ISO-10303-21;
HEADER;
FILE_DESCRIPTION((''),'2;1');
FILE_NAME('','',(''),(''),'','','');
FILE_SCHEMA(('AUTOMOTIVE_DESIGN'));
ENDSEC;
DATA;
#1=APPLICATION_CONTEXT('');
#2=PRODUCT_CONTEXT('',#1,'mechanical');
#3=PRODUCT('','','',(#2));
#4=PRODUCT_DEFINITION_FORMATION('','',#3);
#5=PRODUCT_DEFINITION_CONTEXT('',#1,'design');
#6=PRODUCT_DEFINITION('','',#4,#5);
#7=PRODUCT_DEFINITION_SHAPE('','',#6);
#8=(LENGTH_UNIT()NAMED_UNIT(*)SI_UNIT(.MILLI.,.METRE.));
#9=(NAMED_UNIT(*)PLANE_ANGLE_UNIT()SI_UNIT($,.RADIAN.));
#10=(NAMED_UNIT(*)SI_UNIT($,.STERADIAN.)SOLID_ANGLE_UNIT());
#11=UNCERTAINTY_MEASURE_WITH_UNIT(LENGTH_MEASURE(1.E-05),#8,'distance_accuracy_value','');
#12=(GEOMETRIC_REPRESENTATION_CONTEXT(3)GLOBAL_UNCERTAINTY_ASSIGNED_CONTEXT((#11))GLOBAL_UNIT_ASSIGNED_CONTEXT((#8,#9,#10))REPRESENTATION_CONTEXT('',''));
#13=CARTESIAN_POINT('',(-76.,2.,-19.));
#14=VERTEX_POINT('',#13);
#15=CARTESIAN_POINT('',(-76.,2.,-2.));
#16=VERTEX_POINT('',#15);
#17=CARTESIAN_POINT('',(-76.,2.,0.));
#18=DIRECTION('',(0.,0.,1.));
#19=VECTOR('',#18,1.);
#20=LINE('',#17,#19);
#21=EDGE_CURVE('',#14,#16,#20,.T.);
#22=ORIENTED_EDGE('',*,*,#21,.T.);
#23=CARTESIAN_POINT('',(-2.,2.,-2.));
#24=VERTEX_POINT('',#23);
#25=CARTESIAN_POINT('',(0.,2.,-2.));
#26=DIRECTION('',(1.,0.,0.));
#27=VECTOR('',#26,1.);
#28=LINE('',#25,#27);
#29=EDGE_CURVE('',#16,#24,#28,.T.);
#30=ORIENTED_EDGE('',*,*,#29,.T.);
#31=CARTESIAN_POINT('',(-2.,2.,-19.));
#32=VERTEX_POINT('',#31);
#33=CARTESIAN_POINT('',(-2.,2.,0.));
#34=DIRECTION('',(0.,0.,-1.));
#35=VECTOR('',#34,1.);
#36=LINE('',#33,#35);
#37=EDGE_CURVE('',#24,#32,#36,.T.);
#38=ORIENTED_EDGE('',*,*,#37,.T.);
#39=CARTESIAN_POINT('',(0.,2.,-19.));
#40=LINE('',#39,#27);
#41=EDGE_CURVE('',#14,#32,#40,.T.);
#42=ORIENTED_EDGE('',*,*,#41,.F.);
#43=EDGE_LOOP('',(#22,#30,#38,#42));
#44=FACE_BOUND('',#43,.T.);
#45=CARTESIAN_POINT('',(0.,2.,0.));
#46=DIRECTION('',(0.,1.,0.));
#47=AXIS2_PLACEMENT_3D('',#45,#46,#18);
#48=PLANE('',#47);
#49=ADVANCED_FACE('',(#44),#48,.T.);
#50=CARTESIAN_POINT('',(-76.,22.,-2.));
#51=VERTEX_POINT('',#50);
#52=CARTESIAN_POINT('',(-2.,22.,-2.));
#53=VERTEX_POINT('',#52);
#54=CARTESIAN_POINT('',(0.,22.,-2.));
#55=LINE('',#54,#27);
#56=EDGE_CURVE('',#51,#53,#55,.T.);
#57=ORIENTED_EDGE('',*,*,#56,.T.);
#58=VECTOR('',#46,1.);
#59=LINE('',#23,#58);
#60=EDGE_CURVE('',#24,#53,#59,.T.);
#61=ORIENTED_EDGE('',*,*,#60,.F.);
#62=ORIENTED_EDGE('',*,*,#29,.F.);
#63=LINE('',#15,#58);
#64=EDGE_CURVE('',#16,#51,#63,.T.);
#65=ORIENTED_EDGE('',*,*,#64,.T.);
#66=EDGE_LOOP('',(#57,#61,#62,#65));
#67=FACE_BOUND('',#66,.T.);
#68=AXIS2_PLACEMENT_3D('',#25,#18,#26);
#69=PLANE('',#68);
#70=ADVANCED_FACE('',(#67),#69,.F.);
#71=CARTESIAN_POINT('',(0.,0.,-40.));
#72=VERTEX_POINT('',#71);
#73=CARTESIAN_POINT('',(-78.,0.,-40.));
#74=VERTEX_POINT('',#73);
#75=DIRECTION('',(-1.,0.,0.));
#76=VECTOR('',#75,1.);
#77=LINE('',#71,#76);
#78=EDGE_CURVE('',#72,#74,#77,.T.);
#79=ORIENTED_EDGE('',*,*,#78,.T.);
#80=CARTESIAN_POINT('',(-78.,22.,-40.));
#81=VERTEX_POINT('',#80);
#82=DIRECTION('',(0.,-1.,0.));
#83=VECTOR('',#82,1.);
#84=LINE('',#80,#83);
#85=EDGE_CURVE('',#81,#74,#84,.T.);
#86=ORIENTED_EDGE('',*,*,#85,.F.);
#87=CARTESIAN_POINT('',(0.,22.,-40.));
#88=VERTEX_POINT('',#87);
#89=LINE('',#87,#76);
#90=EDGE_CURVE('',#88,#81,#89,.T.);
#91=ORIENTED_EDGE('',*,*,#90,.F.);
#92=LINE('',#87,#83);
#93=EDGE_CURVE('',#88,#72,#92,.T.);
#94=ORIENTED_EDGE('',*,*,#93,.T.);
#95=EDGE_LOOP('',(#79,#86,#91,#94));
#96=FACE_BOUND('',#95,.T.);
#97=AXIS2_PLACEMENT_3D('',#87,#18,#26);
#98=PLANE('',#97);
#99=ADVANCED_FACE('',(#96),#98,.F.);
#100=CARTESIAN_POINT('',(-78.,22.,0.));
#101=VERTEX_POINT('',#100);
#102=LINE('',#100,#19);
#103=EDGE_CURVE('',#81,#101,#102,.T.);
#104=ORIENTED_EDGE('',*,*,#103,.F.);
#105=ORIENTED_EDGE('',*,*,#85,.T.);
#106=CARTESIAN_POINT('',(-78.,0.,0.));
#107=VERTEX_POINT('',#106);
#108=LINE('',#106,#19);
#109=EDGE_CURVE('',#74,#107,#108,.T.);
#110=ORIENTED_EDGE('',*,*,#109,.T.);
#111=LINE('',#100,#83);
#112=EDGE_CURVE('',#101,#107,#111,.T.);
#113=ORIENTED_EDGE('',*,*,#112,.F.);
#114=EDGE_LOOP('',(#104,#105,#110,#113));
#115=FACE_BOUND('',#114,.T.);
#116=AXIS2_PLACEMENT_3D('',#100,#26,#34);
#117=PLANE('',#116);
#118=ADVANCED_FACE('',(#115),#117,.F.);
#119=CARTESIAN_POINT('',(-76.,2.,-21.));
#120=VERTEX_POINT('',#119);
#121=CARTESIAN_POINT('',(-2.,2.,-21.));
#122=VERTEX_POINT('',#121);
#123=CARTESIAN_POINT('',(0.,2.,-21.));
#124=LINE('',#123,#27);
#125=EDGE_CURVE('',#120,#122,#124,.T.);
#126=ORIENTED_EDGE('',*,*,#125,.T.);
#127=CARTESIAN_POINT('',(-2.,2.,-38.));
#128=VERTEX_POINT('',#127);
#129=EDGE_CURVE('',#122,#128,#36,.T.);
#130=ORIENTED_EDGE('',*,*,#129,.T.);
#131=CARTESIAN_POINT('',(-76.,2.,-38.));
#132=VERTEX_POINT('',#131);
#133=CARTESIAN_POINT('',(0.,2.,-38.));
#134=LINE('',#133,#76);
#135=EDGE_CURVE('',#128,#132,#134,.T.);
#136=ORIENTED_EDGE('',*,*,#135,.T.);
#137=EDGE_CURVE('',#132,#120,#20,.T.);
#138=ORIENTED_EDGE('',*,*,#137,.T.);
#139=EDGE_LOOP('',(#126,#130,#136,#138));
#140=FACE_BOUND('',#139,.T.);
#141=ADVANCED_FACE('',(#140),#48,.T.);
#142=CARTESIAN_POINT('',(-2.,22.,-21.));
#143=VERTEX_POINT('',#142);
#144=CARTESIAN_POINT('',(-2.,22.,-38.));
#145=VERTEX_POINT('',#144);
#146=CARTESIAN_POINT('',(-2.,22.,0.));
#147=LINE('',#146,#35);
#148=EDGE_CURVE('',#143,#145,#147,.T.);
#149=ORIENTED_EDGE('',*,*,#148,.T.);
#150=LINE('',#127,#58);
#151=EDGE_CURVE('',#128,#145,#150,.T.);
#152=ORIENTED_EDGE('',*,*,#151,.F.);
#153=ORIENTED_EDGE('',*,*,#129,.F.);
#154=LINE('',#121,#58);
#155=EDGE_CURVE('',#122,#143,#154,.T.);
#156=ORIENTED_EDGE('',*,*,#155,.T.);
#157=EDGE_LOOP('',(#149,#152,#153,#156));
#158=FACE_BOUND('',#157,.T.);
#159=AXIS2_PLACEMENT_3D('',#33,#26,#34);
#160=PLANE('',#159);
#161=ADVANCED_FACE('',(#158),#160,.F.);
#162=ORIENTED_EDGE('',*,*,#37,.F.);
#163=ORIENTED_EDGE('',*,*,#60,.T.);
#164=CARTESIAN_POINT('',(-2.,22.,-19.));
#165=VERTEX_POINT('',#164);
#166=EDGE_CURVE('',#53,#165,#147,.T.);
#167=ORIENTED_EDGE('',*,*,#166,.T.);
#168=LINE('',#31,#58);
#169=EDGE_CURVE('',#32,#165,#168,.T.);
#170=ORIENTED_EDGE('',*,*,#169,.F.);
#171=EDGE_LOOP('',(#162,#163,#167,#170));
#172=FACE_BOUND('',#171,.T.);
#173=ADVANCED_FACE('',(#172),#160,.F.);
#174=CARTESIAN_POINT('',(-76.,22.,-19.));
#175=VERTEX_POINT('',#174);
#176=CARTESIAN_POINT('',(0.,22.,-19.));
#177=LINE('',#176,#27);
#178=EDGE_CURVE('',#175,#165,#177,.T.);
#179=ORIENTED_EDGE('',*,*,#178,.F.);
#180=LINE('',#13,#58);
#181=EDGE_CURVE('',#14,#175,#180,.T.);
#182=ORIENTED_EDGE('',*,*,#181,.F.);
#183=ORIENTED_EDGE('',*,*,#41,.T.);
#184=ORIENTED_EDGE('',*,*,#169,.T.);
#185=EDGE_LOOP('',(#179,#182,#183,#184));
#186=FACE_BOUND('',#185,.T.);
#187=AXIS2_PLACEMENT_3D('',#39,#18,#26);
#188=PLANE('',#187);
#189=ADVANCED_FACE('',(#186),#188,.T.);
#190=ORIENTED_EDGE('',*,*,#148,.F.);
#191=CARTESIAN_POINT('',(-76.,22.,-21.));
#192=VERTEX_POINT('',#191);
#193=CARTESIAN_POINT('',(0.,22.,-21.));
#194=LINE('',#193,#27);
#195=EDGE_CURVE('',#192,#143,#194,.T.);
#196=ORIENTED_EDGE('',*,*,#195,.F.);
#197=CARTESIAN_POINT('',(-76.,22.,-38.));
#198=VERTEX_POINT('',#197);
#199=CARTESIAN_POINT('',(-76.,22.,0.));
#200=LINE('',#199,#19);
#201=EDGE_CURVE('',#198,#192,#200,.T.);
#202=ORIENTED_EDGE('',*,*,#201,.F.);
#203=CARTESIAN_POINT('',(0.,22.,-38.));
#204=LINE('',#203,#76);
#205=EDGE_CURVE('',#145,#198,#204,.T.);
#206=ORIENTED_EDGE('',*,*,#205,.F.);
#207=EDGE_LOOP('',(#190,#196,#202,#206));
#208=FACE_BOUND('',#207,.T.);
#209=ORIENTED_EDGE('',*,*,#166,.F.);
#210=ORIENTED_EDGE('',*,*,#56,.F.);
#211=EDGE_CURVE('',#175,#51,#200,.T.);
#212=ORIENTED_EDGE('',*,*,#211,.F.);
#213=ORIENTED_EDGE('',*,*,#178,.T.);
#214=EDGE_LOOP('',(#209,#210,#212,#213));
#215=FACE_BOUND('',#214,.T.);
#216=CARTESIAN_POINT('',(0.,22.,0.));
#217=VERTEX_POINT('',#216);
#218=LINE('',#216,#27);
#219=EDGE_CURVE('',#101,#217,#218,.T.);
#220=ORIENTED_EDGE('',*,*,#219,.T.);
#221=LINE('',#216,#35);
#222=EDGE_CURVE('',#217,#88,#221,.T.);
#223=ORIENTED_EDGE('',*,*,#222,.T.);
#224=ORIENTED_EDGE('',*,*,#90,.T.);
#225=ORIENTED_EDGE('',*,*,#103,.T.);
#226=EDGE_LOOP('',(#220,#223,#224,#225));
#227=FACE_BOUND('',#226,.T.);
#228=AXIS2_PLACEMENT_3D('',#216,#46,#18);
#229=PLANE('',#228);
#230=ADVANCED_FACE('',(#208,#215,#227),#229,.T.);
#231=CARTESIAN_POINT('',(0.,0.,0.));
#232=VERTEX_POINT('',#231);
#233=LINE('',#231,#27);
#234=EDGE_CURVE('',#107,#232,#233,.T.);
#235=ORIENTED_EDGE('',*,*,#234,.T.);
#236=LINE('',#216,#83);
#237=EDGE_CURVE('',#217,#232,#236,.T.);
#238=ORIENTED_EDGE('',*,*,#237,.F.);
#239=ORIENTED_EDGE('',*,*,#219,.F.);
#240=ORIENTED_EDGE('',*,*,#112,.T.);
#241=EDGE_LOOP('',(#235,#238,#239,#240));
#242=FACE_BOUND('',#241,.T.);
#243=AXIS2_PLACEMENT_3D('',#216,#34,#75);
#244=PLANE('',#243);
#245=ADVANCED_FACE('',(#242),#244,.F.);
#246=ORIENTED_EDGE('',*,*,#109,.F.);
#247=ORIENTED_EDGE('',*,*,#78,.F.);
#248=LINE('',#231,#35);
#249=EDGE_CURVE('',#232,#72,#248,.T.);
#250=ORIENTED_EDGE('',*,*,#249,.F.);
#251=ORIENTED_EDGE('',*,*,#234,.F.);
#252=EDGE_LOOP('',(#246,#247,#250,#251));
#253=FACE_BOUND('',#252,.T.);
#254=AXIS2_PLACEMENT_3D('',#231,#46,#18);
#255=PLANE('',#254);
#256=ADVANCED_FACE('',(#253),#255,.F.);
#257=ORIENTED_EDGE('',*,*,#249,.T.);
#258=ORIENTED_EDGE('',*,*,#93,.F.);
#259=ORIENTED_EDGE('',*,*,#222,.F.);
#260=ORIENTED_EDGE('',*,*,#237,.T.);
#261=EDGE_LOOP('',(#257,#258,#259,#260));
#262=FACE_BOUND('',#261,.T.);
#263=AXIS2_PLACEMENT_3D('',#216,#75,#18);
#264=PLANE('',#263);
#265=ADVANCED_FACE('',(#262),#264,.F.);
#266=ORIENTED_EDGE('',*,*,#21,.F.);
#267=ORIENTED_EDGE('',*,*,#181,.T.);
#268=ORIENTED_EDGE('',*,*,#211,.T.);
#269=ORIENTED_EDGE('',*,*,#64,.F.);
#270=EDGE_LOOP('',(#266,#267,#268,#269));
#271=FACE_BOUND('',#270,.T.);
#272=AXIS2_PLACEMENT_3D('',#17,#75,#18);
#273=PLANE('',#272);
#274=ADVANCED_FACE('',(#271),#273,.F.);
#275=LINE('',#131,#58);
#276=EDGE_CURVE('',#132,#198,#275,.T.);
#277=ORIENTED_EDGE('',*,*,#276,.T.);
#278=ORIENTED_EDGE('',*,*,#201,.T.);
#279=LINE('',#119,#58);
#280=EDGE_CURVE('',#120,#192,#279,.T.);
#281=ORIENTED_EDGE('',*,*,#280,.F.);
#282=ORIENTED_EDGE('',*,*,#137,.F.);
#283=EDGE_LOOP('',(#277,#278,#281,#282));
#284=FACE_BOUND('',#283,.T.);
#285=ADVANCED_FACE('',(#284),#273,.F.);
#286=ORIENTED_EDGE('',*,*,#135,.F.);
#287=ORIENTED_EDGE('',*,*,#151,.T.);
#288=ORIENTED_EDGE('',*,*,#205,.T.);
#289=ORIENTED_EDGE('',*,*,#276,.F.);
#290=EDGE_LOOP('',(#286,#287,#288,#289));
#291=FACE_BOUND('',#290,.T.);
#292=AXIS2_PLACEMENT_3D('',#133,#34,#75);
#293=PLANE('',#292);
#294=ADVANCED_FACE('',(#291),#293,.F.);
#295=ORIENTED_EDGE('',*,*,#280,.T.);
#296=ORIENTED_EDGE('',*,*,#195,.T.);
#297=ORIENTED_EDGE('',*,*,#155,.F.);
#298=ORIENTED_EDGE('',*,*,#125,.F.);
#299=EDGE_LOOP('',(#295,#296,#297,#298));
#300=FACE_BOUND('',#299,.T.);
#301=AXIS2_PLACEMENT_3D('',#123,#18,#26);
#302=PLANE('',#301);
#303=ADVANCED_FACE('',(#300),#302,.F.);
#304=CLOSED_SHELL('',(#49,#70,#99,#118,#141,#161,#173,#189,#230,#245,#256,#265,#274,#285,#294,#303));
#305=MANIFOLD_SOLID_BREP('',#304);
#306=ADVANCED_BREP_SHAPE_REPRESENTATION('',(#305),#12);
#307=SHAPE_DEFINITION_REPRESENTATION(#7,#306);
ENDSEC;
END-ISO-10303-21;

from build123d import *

# Parameters (mm, degrees)
SKETCH1_W           = 78
SKETCH1_H           = 40
BOSS_EXTRUDE1_DEPTH = 22
SKETCH2_W           = 74
SKETCH2_H           = 17
CUT_EXTRUDE1_DEPTH  = 20


with BuildPart() as part:
    # Sketch1 → Boss-Extrude1 (new body)
    with BuildSketch(Plane(origin=(0, 0, 0), x_dir=(1, 0, 0), z_dir=(0, 1, 0))):
        with Locations((-39, 20)):
            Rectangle(SKETCH1_W, SKETCH1_H)
    extrude(amount=BOSS_EXTRUDE1_DEPTH)

    # Sketch2 → Cut-Extrude1 (cut)
    with BuildSketch(Plane(origin=(0, 22, 0), x_dir=(1, 0, 0), z_dir=(0, 1, 0))):
        with Locations((-39, 29.5)):
            Rectangle(SKETCH2_W, SKETCH2_H)
        with Locations((-39, 10.5)):
            Rectangle(SKETCH2_W, SKETCH2_H)
    extrude(amount=-CUT_EXTRUDE1_DEPTH, mode=Mode.SUBTRACT)


solid = part.part
